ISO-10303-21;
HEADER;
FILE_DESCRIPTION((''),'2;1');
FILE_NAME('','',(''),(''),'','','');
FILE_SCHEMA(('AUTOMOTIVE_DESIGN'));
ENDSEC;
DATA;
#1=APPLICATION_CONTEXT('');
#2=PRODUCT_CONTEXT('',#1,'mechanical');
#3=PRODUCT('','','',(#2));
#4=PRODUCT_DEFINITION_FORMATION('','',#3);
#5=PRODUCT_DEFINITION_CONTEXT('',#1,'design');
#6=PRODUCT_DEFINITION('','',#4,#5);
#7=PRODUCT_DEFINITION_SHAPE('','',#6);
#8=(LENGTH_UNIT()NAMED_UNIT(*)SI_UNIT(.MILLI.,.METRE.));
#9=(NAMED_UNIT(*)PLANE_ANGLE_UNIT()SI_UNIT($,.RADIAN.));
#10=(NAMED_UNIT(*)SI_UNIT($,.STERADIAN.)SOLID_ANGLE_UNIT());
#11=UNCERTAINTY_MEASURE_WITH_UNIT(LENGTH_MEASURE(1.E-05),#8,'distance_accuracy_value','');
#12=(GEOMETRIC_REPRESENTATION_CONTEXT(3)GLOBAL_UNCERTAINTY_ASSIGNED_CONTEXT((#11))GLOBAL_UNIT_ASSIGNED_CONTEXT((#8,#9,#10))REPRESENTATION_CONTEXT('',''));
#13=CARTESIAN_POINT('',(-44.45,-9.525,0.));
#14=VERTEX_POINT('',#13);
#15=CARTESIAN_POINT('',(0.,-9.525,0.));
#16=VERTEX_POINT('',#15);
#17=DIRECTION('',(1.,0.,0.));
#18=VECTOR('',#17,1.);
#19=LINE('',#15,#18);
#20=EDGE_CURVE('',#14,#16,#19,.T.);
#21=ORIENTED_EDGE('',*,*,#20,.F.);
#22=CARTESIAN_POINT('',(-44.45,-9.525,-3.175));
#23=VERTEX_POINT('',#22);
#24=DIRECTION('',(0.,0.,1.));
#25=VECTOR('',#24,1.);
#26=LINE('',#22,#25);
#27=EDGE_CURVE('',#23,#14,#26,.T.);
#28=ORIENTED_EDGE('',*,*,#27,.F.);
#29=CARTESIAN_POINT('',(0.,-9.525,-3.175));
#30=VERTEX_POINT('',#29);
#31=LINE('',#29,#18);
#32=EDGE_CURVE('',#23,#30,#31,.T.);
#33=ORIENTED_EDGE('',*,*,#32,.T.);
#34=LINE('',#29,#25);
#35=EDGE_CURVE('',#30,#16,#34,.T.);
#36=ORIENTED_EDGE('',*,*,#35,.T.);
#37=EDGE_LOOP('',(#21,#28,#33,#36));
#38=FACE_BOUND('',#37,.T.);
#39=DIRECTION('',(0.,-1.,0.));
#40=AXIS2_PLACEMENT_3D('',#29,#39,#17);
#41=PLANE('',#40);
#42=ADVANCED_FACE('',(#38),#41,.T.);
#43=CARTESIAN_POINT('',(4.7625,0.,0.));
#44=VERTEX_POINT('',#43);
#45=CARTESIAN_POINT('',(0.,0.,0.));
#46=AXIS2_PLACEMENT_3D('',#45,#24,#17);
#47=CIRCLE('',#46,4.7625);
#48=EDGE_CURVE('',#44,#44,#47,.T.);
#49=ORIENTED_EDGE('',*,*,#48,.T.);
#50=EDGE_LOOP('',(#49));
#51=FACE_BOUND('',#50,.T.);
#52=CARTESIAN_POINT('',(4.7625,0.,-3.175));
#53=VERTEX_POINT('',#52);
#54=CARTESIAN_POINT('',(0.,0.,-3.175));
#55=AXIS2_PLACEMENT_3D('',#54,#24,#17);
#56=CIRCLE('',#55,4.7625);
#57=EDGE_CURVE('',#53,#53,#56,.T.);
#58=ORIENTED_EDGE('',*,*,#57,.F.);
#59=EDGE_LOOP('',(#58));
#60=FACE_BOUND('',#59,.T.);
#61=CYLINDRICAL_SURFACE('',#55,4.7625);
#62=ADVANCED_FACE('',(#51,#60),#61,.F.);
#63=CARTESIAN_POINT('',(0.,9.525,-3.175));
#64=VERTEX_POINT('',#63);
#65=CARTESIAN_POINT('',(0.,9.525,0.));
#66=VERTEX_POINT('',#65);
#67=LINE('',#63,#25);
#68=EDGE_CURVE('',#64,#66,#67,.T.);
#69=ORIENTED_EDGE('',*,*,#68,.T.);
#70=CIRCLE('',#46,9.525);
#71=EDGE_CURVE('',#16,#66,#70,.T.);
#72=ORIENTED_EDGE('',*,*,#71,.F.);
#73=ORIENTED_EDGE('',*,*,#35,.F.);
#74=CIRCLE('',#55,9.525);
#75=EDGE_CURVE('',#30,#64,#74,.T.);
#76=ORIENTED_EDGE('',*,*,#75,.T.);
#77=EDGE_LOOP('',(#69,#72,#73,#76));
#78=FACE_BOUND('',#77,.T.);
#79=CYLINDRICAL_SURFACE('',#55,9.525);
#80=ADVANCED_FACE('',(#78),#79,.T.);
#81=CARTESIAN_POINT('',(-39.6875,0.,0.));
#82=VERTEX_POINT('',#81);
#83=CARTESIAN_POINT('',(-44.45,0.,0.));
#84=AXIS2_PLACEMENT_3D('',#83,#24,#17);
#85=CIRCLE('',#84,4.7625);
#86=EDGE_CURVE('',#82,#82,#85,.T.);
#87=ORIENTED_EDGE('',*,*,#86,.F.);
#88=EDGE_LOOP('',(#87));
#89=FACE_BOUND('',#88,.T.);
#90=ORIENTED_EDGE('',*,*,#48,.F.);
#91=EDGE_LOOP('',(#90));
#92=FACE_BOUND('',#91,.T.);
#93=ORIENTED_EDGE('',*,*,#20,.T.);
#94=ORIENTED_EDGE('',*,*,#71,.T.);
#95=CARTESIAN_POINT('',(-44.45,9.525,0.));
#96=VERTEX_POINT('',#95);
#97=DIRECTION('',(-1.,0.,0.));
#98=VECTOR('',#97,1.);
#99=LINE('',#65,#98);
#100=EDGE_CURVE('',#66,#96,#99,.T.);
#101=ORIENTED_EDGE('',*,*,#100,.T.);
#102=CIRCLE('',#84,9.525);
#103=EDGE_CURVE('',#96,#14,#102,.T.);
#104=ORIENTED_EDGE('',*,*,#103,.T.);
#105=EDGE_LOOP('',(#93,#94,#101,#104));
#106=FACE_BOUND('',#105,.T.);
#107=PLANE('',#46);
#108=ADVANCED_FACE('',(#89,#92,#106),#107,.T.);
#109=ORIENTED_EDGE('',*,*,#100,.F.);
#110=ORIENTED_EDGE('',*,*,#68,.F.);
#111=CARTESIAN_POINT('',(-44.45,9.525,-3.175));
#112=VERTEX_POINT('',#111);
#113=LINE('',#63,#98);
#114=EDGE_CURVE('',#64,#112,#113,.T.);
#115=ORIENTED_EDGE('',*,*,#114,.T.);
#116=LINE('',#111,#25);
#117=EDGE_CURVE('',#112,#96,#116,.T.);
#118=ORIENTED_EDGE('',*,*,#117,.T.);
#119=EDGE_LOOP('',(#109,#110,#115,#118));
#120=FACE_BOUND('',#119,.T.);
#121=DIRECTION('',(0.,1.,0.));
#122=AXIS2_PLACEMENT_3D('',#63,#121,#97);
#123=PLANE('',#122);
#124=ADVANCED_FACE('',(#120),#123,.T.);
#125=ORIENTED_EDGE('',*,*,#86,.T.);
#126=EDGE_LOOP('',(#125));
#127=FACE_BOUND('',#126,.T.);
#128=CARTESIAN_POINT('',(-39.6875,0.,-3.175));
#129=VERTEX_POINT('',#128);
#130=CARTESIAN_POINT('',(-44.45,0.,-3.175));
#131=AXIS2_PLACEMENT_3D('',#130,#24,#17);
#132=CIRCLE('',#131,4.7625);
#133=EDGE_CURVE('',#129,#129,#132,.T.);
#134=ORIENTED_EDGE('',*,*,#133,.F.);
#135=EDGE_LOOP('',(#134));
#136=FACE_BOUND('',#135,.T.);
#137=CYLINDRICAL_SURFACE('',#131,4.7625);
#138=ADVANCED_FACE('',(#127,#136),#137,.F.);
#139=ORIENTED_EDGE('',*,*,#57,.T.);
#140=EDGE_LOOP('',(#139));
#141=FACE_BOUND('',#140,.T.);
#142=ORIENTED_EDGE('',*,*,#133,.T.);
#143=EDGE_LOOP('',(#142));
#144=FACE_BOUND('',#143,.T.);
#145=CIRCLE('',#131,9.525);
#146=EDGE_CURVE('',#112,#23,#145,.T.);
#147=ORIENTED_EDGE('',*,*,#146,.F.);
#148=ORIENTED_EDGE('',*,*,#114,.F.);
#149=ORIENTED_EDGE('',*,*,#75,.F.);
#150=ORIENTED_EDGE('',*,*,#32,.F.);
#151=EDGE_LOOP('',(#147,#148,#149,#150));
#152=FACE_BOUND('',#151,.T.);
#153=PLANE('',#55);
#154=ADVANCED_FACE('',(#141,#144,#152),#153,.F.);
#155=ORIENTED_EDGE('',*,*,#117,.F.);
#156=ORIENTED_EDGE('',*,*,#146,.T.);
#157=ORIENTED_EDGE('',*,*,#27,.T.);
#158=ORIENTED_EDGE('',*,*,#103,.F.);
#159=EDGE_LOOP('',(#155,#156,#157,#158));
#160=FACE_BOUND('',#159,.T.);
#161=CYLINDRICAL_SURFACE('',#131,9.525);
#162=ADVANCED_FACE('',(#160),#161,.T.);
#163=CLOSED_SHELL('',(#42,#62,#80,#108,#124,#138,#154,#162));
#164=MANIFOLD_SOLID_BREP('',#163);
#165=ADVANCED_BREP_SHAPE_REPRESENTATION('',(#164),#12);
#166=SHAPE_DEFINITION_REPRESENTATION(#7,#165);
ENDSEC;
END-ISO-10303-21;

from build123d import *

# Parameters (mm, degrees)
SKETCH1_R           = 4.7625
BOSS_EXTRUDE1_DEPTH = 3.175


with BuildPart() as part:
    # Sketch1 → Boss-Extrude1 (new body)
    with BuildSketch(Plane.XY):
        with BuildLine():
            Line((0, -9.525), (-44.45, -9.525))
            ThreePointArc((-44.45, -9.525), (-53.975, 0), (-44.45, 9.525))
            Line((-44.45, 9.525), (0, 9.525))
            ThreePointArc((0, 9.525), (9.525, 0), (0, -9.525))
        make_face()
        with Locations((-44.45, 0)):
            Circle(SKETCH1_R, mode=Mode.SUBTRACT)
        Circle(SKETCH1_R, mode=Mode.SUBTRACT)
    extrude(amount=-BOSS_EXTRUDE1_DEPTH)


solid = part.part
